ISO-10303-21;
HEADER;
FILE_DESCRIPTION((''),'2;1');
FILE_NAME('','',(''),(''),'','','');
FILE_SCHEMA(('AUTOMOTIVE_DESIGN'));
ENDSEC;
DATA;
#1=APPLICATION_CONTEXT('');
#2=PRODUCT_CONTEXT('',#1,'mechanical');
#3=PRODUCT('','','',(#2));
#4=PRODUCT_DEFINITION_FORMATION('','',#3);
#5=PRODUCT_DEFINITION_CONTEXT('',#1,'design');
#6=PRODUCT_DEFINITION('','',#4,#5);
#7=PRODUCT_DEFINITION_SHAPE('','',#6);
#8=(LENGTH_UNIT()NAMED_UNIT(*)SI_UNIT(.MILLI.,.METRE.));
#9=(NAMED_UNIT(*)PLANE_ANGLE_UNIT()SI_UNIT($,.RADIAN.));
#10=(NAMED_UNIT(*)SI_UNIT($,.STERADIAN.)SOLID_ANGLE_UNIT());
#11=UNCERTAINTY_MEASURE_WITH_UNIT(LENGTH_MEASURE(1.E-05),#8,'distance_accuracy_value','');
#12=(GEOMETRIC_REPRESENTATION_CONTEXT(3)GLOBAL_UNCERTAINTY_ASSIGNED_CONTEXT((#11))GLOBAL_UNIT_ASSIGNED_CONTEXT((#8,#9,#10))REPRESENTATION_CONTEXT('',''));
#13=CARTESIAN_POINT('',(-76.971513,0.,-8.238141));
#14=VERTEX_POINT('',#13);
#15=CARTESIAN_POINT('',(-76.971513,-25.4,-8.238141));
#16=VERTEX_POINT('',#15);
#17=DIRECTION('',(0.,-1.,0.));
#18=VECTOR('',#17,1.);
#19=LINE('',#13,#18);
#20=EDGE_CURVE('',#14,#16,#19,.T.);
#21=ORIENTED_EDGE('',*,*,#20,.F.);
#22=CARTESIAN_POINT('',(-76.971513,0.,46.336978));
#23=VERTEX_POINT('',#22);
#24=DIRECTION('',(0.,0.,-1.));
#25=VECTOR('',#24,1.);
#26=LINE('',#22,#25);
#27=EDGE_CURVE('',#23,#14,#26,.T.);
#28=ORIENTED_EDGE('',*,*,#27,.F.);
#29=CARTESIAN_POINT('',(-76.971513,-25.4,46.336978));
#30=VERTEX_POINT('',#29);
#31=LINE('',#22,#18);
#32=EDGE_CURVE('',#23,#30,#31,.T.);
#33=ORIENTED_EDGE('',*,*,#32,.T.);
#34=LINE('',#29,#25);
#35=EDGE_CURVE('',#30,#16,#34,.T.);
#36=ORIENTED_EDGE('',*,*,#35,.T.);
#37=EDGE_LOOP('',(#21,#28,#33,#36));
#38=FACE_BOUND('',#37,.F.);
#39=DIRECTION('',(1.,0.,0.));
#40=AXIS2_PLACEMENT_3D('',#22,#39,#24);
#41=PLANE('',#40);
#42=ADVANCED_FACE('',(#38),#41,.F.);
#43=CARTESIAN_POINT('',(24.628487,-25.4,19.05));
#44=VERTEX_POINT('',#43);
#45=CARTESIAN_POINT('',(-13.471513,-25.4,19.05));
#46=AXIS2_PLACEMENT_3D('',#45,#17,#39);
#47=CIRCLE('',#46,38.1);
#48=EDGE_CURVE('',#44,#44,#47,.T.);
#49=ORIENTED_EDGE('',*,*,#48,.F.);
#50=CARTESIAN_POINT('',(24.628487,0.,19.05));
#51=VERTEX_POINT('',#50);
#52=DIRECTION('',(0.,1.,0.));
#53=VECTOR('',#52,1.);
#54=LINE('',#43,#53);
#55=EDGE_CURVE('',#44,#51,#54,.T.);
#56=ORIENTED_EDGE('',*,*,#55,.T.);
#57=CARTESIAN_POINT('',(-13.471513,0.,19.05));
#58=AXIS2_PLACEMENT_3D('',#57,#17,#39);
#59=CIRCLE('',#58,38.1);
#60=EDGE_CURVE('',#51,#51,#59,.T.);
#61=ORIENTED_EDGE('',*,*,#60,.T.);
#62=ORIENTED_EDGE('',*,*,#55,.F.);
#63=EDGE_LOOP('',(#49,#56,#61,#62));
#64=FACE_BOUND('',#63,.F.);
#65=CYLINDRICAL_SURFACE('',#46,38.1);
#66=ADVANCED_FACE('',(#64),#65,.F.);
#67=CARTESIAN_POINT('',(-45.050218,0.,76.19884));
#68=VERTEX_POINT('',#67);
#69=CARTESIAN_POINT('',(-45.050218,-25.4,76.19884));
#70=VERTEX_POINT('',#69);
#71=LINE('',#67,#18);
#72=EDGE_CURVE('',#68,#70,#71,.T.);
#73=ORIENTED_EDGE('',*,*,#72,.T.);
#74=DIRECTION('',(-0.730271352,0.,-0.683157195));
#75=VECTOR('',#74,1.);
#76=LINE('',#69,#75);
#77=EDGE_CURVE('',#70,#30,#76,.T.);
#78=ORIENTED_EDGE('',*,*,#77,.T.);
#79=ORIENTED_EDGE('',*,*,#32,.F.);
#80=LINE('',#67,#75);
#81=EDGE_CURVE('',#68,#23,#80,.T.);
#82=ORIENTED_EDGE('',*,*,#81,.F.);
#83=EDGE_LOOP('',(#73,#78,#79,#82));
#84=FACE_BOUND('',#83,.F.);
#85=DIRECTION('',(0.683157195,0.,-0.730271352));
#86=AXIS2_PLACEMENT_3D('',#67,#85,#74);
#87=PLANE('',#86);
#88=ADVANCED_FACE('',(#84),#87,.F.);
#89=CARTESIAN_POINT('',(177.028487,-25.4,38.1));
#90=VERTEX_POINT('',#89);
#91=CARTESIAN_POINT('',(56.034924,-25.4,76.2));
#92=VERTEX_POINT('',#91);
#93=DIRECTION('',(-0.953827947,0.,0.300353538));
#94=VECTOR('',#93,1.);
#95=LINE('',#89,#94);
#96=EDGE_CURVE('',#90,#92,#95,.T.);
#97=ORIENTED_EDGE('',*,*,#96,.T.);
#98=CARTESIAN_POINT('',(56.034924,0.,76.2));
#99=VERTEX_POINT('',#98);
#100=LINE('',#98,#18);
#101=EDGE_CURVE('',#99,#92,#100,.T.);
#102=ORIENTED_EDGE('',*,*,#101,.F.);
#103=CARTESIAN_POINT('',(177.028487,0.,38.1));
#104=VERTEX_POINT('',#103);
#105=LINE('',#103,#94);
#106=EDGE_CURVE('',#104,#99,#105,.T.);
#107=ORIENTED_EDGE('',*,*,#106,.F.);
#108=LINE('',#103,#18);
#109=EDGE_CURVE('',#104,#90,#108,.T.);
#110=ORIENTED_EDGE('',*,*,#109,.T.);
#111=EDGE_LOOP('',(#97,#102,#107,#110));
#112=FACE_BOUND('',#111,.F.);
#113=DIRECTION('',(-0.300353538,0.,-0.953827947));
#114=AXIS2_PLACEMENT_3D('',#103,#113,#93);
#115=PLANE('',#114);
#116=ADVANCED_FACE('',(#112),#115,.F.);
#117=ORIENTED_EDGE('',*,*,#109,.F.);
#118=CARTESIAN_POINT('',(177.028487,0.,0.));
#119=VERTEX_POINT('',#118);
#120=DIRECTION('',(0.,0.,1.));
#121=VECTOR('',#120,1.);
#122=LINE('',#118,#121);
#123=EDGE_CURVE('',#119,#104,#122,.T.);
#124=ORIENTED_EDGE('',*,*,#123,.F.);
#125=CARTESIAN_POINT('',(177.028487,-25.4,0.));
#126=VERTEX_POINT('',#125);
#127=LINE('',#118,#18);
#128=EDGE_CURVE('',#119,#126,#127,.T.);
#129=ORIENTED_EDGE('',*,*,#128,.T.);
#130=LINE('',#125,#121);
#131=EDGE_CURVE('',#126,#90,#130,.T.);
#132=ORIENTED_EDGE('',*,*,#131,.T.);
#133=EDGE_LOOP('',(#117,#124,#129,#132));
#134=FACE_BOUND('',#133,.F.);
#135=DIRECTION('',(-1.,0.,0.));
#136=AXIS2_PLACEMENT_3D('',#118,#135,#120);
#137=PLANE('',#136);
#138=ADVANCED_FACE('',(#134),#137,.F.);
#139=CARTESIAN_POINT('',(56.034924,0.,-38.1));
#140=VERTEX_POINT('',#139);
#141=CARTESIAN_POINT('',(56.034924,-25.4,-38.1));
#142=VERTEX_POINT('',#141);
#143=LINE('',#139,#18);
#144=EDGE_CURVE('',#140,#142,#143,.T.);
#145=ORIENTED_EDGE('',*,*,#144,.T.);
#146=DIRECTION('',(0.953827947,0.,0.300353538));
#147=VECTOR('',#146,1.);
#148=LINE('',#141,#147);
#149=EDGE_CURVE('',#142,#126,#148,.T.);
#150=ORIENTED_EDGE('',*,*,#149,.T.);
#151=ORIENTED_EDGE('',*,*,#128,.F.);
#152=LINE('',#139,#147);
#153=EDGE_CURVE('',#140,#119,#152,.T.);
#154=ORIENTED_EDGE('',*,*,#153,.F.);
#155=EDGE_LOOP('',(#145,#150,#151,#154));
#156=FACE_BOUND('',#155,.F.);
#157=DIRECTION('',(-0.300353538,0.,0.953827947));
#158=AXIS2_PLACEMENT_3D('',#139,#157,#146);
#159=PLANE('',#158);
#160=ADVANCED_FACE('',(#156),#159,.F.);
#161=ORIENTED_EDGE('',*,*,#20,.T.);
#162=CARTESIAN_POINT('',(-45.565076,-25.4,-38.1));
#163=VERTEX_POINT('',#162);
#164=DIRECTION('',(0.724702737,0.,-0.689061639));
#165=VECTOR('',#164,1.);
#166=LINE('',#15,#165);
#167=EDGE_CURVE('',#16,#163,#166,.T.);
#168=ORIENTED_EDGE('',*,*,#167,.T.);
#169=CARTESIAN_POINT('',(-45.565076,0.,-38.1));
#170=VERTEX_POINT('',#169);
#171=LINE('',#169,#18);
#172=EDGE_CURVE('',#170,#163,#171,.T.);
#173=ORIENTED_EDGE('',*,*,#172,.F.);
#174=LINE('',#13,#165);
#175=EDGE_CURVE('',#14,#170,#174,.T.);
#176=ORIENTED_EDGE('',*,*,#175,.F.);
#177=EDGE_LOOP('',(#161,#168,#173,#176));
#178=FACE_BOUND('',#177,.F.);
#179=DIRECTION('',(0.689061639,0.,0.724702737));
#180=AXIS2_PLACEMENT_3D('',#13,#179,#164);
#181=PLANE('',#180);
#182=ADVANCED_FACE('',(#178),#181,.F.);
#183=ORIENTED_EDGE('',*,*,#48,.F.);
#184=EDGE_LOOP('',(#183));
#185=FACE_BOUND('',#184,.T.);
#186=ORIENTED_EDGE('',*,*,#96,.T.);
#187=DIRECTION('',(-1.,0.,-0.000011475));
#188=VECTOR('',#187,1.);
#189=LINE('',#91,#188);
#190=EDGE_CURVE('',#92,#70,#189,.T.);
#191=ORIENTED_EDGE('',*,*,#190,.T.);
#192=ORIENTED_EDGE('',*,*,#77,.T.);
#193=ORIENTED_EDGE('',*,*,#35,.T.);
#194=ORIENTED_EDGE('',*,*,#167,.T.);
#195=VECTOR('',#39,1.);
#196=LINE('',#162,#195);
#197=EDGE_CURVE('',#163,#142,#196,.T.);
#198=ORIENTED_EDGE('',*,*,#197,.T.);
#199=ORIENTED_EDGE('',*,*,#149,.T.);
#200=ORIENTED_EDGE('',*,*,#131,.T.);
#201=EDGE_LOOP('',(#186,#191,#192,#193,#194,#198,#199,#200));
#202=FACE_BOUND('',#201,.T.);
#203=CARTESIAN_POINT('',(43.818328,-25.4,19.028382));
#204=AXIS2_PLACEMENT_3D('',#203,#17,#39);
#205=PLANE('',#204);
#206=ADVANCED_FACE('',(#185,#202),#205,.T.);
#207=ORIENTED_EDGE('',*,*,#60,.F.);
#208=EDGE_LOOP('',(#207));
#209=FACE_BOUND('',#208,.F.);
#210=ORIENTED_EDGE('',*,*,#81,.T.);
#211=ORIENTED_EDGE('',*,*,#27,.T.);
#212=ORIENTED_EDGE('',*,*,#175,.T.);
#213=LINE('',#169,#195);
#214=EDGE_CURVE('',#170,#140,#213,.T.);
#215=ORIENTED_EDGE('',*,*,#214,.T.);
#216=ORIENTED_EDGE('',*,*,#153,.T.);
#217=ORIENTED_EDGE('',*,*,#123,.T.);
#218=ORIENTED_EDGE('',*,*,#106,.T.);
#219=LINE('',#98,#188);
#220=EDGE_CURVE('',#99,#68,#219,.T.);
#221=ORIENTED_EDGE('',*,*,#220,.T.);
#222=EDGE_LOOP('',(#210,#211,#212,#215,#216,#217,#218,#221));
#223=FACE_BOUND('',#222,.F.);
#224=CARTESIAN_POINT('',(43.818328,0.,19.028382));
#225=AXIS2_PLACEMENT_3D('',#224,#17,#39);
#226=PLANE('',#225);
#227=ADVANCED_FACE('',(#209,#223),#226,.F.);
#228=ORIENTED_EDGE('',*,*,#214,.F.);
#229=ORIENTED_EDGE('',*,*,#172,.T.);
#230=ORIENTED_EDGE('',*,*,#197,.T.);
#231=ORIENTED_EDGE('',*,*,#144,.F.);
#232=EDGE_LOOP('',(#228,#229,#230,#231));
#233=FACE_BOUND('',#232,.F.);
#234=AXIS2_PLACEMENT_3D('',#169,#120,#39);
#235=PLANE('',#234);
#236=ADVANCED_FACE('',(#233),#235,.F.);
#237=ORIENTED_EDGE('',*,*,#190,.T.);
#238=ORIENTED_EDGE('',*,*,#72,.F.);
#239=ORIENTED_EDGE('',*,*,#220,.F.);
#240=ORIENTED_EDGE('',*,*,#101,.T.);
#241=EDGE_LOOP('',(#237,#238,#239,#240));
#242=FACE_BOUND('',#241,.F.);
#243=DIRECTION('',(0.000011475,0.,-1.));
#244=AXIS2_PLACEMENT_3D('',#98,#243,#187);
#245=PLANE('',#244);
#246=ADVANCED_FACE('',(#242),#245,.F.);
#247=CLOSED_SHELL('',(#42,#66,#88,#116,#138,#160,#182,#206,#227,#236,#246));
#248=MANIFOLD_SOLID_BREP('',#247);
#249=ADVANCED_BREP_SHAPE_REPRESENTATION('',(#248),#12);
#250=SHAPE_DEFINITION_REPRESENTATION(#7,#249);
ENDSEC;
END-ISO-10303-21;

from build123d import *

# Parameters (mm, degrees)
F1_DEPTH = 25.4
F2_R     = 38.1
F3_DEPTH = 25.4


with BuildPart() as f1:
    # F0 (on Front) → F1 (new body)
    with BuildSketch(Plane.XZ):
        Polygon((56.034924, 76.2), (-45.050218, 76.19884), (-76.971513, 46.336978), (-76.971513, -8.238141), (-45.565076, -38.1), (56.034924, -38.1), (177.028487, 0), (177.028487, 38.1), align=None)
    extrude(amount=F1_DEPTH)

    # F2 (on face) → F3 (cut)
    with BuildSketch(Plane.XZ.offset(25.4)):
        with Locations((-13.471513, 19.05)):
            Circle(F2_R)
    extrude(amount=-F3_DEPTH, mode=Mode.SUBTRACT)


solid = f1.part
